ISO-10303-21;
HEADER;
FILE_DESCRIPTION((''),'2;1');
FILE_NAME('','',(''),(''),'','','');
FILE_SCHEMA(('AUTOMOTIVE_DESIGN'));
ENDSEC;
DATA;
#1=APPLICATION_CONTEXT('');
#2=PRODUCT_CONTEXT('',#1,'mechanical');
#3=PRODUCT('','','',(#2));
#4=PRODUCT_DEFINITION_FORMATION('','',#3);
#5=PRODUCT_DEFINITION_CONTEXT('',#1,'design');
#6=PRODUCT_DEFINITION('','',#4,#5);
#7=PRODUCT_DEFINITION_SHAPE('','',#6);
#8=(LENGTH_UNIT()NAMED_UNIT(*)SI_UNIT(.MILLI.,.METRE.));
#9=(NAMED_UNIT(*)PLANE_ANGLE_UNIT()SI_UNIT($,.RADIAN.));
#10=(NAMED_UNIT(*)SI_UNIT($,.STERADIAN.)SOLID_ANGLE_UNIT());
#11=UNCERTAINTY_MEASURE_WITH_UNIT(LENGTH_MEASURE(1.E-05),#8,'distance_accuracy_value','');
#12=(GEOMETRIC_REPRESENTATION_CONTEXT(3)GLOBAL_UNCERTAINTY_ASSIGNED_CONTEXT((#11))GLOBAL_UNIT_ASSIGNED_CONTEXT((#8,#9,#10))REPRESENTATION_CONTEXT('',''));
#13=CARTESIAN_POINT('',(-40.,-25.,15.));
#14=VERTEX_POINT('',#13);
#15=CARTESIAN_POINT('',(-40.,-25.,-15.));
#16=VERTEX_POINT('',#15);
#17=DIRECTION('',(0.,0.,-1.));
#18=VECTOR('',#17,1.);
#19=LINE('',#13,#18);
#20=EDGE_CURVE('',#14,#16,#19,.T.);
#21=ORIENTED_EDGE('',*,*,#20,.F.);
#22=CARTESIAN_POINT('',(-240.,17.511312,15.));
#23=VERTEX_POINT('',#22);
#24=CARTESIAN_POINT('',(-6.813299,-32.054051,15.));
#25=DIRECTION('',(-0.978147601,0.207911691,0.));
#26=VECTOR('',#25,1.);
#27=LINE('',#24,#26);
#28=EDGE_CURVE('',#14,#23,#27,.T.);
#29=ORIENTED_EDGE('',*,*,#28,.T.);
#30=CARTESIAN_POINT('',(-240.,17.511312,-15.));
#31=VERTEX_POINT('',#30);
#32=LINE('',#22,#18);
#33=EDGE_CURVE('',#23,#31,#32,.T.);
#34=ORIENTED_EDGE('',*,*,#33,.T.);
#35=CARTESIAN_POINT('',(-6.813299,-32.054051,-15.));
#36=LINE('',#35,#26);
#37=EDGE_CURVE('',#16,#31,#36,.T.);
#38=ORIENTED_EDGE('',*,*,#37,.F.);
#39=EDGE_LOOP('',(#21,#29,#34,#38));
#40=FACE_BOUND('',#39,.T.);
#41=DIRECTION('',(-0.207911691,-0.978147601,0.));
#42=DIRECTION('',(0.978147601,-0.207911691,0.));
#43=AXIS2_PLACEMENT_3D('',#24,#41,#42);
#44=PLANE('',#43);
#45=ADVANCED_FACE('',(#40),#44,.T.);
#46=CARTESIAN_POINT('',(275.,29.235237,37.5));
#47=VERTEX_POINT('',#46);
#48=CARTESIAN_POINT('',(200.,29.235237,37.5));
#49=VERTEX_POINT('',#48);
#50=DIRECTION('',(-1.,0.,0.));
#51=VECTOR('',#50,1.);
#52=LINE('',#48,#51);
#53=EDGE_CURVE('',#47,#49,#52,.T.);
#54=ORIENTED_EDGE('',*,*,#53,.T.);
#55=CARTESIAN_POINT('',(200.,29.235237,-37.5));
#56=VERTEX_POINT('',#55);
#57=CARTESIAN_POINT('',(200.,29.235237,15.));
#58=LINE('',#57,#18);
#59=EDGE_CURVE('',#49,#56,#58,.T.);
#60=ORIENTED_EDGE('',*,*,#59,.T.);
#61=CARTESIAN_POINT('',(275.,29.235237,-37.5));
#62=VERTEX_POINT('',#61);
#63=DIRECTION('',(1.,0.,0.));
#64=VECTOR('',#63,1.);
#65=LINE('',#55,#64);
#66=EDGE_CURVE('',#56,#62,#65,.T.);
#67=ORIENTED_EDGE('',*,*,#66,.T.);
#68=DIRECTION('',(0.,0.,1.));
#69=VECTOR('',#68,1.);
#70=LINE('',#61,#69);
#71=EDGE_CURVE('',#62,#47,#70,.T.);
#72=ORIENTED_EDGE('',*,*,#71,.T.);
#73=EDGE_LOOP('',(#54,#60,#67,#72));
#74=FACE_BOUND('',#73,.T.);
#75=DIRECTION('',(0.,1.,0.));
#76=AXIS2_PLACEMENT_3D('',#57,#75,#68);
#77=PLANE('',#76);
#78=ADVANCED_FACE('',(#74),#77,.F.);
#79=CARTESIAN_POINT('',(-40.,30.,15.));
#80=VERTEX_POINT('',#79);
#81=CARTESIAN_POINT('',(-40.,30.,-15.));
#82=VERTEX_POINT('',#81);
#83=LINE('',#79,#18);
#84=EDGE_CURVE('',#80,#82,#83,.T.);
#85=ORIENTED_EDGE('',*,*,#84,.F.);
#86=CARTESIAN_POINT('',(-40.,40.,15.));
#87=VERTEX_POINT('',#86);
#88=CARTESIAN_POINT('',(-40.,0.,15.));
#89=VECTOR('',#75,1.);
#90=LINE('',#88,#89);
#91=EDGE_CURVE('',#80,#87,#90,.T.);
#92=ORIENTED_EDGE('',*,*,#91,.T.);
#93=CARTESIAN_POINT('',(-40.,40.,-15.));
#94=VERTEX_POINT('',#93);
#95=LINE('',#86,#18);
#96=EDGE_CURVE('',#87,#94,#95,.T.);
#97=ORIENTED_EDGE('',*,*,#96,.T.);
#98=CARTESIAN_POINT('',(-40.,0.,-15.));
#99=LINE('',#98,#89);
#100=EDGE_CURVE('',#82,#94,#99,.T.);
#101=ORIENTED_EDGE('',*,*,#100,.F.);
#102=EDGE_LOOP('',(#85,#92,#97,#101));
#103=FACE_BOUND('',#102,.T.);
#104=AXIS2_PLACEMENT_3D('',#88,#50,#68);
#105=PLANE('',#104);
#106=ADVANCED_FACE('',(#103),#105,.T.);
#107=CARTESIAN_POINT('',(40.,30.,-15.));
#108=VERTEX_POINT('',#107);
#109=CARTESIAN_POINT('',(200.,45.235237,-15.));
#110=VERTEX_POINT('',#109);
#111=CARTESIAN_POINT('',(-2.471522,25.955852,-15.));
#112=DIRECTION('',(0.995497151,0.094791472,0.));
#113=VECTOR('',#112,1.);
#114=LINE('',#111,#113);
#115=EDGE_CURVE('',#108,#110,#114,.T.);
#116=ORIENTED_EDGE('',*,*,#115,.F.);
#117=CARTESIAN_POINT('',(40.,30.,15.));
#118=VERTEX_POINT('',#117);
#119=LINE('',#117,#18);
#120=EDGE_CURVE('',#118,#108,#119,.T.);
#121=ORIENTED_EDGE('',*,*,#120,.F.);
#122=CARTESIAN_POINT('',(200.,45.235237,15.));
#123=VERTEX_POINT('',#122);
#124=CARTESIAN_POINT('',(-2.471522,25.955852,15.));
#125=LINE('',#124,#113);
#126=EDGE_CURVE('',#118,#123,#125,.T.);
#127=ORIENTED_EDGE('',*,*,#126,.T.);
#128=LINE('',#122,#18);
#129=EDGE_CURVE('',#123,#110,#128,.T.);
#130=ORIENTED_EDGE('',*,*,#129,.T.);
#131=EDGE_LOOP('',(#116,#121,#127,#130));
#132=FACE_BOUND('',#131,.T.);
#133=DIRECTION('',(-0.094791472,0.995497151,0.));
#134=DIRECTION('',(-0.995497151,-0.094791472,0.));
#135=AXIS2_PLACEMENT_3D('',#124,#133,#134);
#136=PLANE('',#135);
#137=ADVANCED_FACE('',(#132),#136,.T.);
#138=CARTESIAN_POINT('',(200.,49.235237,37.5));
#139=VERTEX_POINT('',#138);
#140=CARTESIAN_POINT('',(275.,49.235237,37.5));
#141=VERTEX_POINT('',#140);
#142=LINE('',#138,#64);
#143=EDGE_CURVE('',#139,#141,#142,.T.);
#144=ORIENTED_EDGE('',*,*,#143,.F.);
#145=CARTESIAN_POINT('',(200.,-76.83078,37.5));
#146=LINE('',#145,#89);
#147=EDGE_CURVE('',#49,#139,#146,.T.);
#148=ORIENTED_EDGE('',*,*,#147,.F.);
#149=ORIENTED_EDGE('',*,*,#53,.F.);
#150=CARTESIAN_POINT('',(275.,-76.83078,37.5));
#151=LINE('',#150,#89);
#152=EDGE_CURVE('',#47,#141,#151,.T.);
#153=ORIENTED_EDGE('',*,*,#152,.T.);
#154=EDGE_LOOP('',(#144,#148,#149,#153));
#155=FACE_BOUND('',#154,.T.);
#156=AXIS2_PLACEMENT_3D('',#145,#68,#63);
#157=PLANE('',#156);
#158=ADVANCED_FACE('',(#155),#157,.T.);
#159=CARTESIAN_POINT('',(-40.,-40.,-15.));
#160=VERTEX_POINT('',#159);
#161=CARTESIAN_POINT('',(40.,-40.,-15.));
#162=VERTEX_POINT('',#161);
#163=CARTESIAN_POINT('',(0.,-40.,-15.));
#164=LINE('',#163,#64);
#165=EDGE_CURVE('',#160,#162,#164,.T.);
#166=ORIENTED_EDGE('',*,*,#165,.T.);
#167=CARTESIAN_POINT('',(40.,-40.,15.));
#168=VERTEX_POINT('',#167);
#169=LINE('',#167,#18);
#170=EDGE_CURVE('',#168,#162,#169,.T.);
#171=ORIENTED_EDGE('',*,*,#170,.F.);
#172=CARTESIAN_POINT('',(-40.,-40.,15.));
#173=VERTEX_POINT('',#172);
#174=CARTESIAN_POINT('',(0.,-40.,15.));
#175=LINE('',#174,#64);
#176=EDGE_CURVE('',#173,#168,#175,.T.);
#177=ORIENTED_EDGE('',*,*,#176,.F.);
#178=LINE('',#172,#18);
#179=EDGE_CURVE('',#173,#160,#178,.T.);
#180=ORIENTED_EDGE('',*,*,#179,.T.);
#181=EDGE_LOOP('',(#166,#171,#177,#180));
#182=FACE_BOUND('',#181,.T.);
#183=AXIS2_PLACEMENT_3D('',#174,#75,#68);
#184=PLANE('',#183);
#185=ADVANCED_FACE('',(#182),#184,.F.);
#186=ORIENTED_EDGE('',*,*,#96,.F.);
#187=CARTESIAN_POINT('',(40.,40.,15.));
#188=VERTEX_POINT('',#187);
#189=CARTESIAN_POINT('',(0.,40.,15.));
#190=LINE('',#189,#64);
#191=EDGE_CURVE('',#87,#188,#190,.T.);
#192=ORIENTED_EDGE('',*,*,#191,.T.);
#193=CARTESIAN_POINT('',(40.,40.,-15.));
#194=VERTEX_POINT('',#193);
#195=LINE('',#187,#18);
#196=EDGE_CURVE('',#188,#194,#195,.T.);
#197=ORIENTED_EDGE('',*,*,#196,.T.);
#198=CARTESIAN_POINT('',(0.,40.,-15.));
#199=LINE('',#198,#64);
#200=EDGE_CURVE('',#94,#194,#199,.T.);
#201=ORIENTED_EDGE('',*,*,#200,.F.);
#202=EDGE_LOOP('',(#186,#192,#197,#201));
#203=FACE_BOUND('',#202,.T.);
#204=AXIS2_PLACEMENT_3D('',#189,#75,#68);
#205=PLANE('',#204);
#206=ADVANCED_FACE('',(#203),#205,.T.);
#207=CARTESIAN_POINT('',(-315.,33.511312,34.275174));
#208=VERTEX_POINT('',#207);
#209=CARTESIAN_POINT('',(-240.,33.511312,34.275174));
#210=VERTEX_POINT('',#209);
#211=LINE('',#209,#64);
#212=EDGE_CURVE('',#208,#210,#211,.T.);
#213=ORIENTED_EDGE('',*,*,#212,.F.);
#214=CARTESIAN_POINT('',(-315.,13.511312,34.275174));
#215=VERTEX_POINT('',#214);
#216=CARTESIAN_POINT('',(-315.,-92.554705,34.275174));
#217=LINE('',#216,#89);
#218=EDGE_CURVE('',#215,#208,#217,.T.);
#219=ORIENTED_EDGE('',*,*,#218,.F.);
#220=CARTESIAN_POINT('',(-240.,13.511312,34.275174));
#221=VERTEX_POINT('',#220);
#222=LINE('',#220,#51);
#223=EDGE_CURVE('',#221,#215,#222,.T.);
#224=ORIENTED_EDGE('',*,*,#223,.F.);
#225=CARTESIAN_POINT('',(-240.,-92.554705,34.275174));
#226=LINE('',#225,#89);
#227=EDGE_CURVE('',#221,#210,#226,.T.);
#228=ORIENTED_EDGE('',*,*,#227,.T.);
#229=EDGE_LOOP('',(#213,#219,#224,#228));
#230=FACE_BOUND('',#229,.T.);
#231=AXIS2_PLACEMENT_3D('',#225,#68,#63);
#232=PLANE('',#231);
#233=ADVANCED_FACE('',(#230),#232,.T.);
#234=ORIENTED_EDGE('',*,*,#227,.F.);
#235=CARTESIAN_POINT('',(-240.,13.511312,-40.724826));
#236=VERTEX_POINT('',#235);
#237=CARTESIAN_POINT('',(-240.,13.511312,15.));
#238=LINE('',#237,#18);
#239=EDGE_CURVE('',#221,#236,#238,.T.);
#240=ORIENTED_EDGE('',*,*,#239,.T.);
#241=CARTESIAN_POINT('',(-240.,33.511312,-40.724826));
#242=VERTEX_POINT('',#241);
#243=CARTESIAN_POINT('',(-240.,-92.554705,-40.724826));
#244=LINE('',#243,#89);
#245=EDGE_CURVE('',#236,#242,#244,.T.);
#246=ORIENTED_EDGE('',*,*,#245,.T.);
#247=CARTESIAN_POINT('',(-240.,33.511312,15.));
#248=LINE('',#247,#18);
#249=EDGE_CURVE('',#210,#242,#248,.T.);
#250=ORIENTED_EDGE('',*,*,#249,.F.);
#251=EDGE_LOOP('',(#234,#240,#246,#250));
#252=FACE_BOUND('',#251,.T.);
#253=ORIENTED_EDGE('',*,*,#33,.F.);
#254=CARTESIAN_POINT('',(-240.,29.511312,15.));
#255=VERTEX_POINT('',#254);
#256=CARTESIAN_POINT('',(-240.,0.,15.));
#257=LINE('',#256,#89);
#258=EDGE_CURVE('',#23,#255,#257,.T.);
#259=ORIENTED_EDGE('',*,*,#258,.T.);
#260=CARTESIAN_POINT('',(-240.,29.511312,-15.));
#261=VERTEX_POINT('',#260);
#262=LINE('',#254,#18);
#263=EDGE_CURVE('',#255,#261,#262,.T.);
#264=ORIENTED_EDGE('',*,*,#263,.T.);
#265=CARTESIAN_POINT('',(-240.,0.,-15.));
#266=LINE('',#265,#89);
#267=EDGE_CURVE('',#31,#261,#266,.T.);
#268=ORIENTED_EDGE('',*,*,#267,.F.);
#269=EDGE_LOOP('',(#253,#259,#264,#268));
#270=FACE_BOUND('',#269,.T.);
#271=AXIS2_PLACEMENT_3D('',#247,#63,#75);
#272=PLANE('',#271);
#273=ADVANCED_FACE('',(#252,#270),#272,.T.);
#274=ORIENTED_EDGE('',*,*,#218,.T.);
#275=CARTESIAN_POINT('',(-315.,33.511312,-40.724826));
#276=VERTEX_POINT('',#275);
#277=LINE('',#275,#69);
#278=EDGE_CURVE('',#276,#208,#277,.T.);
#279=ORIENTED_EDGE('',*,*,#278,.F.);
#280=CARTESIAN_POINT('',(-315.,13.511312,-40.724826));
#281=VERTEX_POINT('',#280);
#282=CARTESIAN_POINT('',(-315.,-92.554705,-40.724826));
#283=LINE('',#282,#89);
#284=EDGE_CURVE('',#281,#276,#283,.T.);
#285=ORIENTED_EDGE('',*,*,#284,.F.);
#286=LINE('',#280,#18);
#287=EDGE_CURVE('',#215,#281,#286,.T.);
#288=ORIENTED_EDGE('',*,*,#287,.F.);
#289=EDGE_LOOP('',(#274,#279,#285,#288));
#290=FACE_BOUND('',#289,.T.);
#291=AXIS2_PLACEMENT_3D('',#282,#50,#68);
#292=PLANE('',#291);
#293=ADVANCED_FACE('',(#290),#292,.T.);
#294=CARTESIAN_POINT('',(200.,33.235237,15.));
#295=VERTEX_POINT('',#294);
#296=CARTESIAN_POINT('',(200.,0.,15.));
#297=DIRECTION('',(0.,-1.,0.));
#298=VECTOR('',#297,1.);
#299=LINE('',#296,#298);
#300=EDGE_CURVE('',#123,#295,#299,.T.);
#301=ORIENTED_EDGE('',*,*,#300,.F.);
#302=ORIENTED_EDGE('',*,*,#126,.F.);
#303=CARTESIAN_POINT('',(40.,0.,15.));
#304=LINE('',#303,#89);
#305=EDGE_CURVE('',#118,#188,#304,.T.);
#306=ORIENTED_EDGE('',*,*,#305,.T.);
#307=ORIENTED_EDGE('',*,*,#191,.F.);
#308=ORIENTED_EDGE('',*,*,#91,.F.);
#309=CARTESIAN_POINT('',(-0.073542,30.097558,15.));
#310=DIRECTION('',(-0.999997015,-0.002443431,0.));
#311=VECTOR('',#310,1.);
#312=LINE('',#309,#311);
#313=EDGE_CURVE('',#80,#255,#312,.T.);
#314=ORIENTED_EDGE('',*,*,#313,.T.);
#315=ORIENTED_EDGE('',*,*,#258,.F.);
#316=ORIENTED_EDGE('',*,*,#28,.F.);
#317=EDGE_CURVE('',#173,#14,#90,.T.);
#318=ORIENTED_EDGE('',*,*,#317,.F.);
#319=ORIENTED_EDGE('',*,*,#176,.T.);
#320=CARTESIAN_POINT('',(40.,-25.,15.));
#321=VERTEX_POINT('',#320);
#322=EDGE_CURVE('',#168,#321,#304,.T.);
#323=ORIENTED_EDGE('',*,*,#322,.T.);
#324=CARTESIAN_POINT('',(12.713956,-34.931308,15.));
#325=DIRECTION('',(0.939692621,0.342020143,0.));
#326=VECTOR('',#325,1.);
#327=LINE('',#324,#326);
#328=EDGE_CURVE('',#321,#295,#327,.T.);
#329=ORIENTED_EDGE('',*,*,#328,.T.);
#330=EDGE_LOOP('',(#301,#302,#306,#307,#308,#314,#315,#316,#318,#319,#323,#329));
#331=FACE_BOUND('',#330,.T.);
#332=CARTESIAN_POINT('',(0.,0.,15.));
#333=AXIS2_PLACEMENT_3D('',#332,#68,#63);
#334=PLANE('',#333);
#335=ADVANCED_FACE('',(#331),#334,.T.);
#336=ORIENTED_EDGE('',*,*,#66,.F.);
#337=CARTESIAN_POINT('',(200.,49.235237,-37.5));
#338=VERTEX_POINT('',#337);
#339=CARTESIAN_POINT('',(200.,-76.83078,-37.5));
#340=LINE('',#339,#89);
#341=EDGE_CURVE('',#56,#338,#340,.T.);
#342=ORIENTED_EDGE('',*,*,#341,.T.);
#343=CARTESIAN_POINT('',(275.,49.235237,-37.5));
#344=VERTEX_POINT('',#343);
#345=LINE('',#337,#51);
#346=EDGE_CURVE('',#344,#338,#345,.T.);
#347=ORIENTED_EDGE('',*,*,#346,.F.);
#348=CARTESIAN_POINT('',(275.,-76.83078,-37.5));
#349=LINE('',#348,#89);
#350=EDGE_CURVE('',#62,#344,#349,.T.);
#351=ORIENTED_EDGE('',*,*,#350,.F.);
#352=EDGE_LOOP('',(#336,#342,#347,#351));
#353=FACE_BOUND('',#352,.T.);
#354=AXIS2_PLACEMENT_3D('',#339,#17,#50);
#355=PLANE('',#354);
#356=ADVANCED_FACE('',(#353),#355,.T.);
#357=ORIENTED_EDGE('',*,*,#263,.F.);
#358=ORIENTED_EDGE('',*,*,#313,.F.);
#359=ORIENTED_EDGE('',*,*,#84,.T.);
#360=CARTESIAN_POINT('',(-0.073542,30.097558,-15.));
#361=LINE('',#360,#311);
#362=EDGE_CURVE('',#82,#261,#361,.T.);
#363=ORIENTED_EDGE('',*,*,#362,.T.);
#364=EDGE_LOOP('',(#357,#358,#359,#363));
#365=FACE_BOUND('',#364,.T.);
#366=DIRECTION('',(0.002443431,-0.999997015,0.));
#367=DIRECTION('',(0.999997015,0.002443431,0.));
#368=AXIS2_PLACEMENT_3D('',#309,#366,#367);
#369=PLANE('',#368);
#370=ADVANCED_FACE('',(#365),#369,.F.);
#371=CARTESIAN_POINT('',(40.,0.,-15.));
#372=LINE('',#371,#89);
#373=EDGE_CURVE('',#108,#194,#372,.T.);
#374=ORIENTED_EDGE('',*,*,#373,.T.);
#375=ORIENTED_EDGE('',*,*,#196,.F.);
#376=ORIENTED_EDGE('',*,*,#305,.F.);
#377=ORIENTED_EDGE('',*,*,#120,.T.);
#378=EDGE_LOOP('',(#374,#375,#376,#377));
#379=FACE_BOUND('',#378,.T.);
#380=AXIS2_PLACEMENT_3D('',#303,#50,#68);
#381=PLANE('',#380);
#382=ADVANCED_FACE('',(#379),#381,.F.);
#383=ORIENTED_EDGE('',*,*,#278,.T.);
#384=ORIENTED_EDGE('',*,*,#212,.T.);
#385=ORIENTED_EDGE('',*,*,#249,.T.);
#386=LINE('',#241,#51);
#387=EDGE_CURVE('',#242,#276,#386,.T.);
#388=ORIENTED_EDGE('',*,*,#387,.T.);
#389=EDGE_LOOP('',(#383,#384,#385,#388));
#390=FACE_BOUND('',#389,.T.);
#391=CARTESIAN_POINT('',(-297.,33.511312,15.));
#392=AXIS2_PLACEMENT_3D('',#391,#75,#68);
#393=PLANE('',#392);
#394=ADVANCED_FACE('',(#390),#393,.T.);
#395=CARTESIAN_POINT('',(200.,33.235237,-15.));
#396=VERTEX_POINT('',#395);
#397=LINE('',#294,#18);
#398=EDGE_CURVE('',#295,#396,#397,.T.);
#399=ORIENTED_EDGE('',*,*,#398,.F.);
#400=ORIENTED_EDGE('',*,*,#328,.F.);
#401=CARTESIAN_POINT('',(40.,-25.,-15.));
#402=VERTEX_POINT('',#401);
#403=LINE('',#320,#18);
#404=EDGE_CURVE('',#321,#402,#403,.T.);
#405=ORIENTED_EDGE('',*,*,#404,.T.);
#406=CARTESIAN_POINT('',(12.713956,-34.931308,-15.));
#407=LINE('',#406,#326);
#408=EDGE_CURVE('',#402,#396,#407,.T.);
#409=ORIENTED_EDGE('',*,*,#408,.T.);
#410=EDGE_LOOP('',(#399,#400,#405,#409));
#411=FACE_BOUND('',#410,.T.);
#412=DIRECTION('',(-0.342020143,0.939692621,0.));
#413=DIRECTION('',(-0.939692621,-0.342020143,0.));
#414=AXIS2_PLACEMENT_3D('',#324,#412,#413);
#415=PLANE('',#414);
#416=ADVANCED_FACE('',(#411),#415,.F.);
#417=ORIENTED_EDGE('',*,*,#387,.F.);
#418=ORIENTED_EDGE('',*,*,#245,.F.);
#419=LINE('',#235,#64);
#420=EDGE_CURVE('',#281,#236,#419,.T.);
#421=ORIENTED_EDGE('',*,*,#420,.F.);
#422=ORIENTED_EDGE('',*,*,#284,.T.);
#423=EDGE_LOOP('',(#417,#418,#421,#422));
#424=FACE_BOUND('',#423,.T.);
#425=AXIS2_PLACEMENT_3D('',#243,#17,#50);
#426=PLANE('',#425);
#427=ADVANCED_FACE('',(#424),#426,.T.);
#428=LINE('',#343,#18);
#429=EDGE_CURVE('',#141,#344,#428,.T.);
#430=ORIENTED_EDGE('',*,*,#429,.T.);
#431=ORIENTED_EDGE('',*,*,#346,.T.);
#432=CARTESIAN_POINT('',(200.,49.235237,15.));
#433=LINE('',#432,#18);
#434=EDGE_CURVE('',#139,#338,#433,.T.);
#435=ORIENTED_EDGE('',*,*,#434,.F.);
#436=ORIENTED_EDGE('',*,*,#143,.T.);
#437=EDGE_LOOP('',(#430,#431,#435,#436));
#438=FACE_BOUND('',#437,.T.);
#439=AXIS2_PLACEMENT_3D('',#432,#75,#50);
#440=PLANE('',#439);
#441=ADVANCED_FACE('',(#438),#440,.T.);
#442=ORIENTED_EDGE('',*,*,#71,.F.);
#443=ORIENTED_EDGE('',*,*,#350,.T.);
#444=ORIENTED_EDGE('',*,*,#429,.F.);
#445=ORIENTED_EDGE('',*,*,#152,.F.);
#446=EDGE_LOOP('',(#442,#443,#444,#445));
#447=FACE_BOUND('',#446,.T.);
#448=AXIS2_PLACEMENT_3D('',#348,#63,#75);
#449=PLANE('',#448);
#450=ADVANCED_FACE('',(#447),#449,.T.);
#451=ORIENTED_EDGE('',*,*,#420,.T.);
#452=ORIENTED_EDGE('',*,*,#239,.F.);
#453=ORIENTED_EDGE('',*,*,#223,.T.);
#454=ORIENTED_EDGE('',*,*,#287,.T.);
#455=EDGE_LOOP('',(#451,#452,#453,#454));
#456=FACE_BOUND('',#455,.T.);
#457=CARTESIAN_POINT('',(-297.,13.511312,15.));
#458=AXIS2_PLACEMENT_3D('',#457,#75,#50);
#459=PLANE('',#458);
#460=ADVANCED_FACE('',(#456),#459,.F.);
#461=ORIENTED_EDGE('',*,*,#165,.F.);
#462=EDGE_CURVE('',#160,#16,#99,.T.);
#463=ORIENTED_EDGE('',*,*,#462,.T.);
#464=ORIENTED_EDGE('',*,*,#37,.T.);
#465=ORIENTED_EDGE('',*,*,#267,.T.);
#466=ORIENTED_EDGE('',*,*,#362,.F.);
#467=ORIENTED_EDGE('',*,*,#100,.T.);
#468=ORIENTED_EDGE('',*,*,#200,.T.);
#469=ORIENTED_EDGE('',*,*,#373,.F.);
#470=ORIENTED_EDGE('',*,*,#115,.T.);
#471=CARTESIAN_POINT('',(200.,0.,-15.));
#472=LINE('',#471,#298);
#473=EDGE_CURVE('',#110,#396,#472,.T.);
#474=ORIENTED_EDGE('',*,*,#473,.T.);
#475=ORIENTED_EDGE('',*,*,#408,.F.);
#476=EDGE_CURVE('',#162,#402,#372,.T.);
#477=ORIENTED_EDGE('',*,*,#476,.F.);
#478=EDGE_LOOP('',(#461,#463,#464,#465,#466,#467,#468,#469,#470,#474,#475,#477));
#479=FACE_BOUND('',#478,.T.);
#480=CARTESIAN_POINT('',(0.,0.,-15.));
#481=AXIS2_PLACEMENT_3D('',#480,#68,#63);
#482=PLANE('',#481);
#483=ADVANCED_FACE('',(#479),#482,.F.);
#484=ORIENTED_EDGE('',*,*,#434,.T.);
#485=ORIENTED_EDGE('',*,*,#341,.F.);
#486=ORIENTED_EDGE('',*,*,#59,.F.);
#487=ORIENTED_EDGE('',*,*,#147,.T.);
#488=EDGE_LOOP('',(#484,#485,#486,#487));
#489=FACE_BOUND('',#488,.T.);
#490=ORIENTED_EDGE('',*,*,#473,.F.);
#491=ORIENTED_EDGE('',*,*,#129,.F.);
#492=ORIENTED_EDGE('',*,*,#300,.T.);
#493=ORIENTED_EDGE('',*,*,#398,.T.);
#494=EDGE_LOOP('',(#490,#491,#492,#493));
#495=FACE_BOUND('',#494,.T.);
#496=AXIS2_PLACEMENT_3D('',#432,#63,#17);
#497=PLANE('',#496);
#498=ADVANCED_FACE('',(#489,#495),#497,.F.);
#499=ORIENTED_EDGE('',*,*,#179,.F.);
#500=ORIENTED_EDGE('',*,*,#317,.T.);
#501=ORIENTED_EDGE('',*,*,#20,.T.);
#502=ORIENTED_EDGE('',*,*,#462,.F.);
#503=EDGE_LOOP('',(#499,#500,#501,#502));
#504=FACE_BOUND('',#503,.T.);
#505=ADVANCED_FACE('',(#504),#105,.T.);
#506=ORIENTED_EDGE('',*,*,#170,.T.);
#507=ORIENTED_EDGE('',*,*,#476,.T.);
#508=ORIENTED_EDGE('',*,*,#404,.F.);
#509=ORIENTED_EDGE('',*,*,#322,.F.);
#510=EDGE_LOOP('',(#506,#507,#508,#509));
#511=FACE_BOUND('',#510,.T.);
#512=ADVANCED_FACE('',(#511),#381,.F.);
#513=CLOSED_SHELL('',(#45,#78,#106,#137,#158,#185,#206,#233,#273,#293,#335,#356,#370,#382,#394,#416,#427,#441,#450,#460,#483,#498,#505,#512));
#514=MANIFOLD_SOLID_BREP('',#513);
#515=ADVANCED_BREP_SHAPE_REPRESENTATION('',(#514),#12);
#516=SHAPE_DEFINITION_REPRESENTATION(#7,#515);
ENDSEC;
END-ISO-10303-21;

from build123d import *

# Parameters (mm, degrees)
BOSS_EXTRUDE1_DEPTH = 15
SKETCH2_W           = 75
SKETCH2_H           = 75
BOSS_EXTRUDE2_DEPTH = 20
SKETCH3_W           = 75
SKETCH3_H           = 75
BOSS_EXTRUDE3_DEPTH = 20


with BuildPart() as part:
    # Sketch1 → Boss-Extrude1 (new body, symmetric)
    with BuildSketch(Plane.XY):
        Polygon((-40, -25), (-40, -40), (40, -40), (40, -25), (200, 33.235237483), (200, 29.235237483), (257, 29.235237483), (257, 49.235237483), (200, 49.235237483), (200, 45.235237483), (40, 30), (40, 40), (-40, 40), (-40, 30), (-240, 29.511312334), (-240, 33.511312334), (-297, 33.511312334), (-297, 13.511312334), (-240, 13.511312334), (-240, 17.511312334), align=None)
    extrude(amount=BOSS_EXTRUDE1_DEPTH, both=True)

    # Sketch2 → Boss-Extrude2 (add)
    with BuildSketch(Plane(origin=(0, 33.511312334, 0), x_dir=(1, 0, 0), z_dir=(0, 1, 0))):
        with Locations((-277.5, 3.224825952)):
            Rectangle(SKETCH2_W, SKETCH2_H)
    extrude(amount=-BOSS_EXTRUDE2_DEPTH)

    # Sketch3 → Boss-Extrude3 (add)
    with BuildSketch(Plane(origin=(0, 49.235237483, 0), x_dir=(1, 0, 0), z_dir=(0, 1, 0))):
        with Locations((237.5, 0)):
            Rectangle(SKETCH3_W, SKETCH3_H)
    extrude(amount=-BOSS_EXTRUDE3_DEPTH)


solid = part.part
